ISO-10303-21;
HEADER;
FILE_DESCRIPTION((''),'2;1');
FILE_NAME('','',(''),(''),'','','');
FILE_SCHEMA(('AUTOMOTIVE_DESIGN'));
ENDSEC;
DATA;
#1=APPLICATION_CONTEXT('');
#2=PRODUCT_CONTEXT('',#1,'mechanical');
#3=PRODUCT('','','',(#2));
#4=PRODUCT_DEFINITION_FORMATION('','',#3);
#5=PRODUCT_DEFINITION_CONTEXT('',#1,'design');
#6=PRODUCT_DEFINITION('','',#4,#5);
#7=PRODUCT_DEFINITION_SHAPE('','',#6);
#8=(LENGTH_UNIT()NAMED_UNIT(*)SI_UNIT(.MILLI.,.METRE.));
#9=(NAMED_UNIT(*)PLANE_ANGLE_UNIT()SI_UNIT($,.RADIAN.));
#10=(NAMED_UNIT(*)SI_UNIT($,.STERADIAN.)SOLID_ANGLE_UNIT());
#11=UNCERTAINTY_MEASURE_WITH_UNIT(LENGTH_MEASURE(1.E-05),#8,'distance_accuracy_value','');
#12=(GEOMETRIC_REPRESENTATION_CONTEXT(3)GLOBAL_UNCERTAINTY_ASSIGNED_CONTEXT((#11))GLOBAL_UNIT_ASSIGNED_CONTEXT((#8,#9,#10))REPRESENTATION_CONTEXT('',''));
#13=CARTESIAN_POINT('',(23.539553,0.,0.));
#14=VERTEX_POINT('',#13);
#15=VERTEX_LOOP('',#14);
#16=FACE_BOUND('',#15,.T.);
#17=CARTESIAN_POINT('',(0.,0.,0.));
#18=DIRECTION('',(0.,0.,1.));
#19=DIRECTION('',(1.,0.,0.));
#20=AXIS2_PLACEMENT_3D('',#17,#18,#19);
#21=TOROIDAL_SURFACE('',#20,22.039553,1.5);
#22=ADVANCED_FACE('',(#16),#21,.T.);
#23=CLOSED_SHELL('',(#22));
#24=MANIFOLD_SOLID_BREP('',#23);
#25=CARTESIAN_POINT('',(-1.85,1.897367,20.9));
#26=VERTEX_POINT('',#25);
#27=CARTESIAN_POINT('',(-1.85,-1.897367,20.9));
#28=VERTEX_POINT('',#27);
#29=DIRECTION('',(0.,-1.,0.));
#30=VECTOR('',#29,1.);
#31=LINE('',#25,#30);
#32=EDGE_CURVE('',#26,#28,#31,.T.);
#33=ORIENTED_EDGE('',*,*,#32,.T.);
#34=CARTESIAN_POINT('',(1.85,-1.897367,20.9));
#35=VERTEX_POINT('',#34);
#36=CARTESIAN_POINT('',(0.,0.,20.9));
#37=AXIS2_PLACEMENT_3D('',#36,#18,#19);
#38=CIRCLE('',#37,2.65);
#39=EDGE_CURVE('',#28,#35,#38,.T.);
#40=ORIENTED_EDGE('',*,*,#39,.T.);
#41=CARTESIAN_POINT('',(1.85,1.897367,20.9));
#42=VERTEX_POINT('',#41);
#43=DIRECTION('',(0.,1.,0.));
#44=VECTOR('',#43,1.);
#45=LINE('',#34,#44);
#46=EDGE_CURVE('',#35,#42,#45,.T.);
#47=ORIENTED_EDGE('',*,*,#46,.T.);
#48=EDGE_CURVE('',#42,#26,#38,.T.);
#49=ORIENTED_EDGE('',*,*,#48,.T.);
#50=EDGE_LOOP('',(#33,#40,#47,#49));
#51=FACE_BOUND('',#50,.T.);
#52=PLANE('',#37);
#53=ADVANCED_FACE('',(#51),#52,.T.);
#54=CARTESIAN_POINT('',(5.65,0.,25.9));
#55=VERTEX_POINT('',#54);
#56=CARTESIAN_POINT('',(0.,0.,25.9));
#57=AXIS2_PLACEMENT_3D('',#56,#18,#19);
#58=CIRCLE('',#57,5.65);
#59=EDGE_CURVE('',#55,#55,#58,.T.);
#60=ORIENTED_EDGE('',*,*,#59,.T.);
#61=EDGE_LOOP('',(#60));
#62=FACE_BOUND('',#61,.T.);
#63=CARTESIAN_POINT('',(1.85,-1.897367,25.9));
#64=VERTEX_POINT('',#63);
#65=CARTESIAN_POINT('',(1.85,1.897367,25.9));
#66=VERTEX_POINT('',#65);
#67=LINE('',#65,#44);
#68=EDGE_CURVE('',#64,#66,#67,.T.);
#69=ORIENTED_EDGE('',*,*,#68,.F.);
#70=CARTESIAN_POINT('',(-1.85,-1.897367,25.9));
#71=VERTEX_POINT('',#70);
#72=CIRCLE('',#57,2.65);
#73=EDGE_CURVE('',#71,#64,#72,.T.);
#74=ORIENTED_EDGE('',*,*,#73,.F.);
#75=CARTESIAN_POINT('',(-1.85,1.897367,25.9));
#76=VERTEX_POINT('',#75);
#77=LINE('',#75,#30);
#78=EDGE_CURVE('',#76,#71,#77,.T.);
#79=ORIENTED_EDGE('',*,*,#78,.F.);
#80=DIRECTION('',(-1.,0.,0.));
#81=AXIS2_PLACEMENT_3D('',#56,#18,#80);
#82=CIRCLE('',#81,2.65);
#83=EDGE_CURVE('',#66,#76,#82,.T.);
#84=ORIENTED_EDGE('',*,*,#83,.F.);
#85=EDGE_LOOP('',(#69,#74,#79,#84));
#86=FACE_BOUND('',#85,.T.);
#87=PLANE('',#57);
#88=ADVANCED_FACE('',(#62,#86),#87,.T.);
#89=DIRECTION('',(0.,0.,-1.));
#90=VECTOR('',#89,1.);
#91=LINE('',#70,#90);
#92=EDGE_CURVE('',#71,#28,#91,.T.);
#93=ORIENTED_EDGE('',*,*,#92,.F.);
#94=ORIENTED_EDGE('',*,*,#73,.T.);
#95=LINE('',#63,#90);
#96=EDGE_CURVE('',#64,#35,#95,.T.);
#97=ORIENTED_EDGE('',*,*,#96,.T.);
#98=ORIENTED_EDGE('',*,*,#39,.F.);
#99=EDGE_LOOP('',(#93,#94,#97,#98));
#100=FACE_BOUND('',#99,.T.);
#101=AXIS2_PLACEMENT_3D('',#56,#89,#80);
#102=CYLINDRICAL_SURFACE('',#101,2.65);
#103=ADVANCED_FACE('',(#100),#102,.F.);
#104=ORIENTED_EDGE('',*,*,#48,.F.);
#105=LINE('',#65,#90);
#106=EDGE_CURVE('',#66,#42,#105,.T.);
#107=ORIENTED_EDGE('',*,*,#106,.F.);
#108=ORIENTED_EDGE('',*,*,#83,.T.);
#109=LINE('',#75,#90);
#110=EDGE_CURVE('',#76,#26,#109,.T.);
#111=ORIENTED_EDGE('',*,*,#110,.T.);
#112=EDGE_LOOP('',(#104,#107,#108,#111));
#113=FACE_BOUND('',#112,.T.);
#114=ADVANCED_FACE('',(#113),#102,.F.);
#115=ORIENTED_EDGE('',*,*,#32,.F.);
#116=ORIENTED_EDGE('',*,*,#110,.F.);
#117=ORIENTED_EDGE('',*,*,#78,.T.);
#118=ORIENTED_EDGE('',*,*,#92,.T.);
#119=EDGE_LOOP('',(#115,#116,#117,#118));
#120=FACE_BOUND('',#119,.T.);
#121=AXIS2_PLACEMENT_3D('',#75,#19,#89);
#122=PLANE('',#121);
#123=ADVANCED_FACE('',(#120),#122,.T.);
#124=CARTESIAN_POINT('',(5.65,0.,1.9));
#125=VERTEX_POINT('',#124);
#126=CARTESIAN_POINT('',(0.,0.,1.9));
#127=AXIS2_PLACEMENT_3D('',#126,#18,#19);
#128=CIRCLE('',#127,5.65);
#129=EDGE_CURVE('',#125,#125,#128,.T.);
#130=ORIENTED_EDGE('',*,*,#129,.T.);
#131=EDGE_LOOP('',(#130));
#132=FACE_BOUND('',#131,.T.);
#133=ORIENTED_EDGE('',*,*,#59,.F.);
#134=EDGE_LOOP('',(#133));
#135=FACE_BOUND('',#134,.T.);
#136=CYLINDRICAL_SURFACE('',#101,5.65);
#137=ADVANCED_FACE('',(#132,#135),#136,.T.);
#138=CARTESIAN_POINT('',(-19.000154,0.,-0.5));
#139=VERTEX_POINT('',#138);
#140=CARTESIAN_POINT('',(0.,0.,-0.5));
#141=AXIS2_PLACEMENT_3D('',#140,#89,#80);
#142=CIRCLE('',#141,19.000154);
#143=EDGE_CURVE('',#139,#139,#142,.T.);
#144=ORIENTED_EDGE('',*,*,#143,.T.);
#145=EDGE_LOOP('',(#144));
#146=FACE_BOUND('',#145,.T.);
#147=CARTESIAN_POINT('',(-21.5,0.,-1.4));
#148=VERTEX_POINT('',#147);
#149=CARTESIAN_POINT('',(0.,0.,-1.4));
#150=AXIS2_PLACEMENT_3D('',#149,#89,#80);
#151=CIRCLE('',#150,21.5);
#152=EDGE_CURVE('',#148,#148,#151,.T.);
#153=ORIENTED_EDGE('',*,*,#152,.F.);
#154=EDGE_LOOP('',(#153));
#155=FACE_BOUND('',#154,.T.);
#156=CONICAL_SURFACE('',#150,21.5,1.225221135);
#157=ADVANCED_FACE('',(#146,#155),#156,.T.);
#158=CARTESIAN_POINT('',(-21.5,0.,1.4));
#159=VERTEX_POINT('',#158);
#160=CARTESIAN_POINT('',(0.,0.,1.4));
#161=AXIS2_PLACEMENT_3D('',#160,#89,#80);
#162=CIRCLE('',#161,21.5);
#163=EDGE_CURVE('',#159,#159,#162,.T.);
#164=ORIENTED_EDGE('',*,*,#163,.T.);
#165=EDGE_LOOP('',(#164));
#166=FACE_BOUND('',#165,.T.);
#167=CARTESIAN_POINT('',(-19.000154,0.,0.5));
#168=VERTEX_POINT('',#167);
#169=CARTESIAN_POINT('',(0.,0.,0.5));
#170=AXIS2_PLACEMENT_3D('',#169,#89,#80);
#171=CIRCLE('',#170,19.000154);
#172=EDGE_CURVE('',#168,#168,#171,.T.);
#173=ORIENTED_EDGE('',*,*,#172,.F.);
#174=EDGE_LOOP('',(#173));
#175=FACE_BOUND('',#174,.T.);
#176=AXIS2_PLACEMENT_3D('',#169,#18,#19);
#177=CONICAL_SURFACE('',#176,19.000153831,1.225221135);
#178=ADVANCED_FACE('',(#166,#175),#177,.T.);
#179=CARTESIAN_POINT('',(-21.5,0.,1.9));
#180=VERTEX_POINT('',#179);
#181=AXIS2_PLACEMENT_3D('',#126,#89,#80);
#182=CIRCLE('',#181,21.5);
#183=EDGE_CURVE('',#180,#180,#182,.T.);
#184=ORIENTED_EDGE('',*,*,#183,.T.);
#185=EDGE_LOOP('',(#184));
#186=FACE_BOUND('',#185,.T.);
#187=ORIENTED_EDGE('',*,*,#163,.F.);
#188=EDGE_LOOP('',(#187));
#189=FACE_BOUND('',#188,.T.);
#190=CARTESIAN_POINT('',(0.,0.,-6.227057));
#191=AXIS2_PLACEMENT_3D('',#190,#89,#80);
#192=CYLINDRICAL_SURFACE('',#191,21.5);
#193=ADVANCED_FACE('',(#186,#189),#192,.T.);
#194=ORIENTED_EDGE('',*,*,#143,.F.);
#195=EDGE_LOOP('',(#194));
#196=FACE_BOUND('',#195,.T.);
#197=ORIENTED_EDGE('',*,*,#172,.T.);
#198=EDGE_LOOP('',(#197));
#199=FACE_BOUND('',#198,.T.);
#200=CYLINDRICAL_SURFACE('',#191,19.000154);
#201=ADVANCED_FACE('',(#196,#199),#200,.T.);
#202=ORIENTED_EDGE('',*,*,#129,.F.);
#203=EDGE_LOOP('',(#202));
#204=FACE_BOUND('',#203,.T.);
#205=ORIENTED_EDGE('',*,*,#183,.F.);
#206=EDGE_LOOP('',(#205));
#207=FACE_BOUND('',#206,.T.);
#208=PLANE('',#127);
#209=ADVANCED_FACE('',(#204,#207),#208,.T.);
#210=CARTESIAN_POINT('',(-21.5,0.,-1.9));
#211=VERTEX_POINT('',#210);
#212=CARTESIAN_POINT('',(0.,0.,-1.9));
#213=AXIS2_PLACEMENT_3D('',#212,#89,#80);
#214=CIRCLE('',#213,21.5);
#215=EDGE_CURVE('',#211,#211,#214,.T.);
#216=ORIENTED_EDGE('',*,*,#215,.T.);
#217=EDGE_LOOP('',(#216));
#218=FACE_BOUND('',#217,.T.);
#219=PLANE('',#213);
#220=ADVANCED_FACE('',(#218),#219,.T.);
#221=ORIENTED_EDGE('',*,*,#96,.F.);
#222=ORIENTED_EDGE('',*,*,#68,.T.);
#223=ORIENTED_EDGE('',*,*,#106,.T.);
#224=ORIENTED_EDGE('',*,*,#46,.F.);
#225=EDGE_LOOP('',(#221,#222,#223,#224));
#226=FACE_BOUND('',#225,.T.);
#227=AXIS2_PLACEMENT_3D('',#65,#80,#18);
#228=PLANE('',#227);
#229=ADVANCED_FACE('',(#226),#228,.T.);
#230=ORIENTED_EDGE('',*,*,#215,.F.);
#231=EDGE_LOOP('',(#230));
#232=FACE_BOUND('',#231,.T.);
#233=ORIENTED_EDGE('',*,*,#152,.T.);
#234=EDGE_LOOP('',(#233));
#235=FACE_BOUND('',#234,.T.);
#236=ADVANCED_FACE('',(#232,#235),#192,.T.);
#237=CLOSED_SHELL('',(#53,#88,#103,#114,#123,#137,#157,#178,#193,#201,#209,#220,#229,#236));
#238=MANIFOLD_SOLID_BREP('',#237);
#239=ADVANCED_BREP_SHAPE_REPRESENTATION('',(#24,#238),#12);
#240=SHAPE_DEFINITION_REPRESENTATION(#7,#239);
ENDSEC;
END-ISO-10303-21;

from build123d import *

# Parameters (mm, degrees)
CROQUIS3_R              = 5.65
SALIENTE_EXTRUIR2_DEPTH = 24
SALIENTE_EXTRUIR3_REACH = 48.199
SALIENTE_EXTRUIR3_START = -5
CROQUIS5_R              = 1.5


with BuildPart() as part:
    # Croquis1 → Revolución1 (revolve)
    with BuildSketch(Plane(origin=(0, 0, 0), x_dir=(0, 0, -1), z_dir=(1, 0, 0)), mode=Mode.PRIVATE) as revoluci_n1_sk:
        Polygon((-1.9, 0), (-1.9, 21.5), (-1.4, 21.5), (-0.5, 19.000153831), (0.5, 19.000153831), (1.4, 21.5), (1.9, 21.5), (1.9, 0), align=None)
    revolve(revoluci_n1_sk.sketch.rotate(Axis((0, 0, -6.227056579), (0, 0, 1)), 90), axis=Axis((0, 0, -6.227056579), (0, 0, 1)))

    # Croquis3 → Saliente-Extruir2 (add)
    with BuildSketch(Plane.XY.offset(1.9)):
        Circle(CROQUIS3_R)
        with BuildLine():
            Line((-1.85, 1.897366596), (-1.85, -1.897366596))
            ThreePointArc((-1.85, -1.897366596), (0, -2.65), (1.85, -1.897366596))
            Line((1.85, -1.897366596), (1.85, 1.897366596))
            ThreePointArc((1.85, 1.897366596), (0, 2.65), (-1.85, 1.897366596))
        make_face(mode=Mode.SUBTRACT)
    extrude(amount=SALIENTE_EXTRUIR2_DEPTH)

    # Croquis4 → Saliente-Extruir3 (add, up to next)
    with BuildSketch(Plane.XY.offset(25.9).offset(SALIENTE_EXTRUIR3_START), mode=Mode.PRIVATE) as saliente_extruir3_sk1:
        with BuildLine():
            Line((-1.85, 1.897366596), (-1.85, -1.897366596))
            ThreePointArc((-1.85, -1.897366596), (0, -2.65), (1.85, -1.897366596))
            Line((1.85, -1.897366596), (1.85, 1.897366596))
            ThreePointArc((1.85, 1.897366596), (0, 2.65), (-1.85, 1.897366596))
        make_face()
    saliente_extruir3_tool1 = extrude(saliente_extruir3_sk1.sketch, amount=-SALIENTE_EXTRUIR3_REACH, mode=Mode.PRIVATE) - part.part
    add(saliente_extruir3_tool1.solids().sort_by_distance((0, 0, 20.9))[0])


with BuildPart() as body_2:
    # Croquis5 → Revolución2 (revolve)
    with BuildSketch(Plane(origin=(0, 0, 0), x_dir=(0, 0, -1), z_dir=(1, 0, 0)), mode=Mode.PRIVATE) as revoluci_n2_sk:
        with Locations((0, 22.039552594)):
            Circle(CROQUIS5_R)
    revolve(revoluci_n2_sk.sketch.rotate(Axis((0, 0, 9.093206655), (0, 0, -1)), 90), axis=Axis((0, 0, 9.093206655), (0, 0, -1)))


solid = Compound([part.part, body_2.part])
